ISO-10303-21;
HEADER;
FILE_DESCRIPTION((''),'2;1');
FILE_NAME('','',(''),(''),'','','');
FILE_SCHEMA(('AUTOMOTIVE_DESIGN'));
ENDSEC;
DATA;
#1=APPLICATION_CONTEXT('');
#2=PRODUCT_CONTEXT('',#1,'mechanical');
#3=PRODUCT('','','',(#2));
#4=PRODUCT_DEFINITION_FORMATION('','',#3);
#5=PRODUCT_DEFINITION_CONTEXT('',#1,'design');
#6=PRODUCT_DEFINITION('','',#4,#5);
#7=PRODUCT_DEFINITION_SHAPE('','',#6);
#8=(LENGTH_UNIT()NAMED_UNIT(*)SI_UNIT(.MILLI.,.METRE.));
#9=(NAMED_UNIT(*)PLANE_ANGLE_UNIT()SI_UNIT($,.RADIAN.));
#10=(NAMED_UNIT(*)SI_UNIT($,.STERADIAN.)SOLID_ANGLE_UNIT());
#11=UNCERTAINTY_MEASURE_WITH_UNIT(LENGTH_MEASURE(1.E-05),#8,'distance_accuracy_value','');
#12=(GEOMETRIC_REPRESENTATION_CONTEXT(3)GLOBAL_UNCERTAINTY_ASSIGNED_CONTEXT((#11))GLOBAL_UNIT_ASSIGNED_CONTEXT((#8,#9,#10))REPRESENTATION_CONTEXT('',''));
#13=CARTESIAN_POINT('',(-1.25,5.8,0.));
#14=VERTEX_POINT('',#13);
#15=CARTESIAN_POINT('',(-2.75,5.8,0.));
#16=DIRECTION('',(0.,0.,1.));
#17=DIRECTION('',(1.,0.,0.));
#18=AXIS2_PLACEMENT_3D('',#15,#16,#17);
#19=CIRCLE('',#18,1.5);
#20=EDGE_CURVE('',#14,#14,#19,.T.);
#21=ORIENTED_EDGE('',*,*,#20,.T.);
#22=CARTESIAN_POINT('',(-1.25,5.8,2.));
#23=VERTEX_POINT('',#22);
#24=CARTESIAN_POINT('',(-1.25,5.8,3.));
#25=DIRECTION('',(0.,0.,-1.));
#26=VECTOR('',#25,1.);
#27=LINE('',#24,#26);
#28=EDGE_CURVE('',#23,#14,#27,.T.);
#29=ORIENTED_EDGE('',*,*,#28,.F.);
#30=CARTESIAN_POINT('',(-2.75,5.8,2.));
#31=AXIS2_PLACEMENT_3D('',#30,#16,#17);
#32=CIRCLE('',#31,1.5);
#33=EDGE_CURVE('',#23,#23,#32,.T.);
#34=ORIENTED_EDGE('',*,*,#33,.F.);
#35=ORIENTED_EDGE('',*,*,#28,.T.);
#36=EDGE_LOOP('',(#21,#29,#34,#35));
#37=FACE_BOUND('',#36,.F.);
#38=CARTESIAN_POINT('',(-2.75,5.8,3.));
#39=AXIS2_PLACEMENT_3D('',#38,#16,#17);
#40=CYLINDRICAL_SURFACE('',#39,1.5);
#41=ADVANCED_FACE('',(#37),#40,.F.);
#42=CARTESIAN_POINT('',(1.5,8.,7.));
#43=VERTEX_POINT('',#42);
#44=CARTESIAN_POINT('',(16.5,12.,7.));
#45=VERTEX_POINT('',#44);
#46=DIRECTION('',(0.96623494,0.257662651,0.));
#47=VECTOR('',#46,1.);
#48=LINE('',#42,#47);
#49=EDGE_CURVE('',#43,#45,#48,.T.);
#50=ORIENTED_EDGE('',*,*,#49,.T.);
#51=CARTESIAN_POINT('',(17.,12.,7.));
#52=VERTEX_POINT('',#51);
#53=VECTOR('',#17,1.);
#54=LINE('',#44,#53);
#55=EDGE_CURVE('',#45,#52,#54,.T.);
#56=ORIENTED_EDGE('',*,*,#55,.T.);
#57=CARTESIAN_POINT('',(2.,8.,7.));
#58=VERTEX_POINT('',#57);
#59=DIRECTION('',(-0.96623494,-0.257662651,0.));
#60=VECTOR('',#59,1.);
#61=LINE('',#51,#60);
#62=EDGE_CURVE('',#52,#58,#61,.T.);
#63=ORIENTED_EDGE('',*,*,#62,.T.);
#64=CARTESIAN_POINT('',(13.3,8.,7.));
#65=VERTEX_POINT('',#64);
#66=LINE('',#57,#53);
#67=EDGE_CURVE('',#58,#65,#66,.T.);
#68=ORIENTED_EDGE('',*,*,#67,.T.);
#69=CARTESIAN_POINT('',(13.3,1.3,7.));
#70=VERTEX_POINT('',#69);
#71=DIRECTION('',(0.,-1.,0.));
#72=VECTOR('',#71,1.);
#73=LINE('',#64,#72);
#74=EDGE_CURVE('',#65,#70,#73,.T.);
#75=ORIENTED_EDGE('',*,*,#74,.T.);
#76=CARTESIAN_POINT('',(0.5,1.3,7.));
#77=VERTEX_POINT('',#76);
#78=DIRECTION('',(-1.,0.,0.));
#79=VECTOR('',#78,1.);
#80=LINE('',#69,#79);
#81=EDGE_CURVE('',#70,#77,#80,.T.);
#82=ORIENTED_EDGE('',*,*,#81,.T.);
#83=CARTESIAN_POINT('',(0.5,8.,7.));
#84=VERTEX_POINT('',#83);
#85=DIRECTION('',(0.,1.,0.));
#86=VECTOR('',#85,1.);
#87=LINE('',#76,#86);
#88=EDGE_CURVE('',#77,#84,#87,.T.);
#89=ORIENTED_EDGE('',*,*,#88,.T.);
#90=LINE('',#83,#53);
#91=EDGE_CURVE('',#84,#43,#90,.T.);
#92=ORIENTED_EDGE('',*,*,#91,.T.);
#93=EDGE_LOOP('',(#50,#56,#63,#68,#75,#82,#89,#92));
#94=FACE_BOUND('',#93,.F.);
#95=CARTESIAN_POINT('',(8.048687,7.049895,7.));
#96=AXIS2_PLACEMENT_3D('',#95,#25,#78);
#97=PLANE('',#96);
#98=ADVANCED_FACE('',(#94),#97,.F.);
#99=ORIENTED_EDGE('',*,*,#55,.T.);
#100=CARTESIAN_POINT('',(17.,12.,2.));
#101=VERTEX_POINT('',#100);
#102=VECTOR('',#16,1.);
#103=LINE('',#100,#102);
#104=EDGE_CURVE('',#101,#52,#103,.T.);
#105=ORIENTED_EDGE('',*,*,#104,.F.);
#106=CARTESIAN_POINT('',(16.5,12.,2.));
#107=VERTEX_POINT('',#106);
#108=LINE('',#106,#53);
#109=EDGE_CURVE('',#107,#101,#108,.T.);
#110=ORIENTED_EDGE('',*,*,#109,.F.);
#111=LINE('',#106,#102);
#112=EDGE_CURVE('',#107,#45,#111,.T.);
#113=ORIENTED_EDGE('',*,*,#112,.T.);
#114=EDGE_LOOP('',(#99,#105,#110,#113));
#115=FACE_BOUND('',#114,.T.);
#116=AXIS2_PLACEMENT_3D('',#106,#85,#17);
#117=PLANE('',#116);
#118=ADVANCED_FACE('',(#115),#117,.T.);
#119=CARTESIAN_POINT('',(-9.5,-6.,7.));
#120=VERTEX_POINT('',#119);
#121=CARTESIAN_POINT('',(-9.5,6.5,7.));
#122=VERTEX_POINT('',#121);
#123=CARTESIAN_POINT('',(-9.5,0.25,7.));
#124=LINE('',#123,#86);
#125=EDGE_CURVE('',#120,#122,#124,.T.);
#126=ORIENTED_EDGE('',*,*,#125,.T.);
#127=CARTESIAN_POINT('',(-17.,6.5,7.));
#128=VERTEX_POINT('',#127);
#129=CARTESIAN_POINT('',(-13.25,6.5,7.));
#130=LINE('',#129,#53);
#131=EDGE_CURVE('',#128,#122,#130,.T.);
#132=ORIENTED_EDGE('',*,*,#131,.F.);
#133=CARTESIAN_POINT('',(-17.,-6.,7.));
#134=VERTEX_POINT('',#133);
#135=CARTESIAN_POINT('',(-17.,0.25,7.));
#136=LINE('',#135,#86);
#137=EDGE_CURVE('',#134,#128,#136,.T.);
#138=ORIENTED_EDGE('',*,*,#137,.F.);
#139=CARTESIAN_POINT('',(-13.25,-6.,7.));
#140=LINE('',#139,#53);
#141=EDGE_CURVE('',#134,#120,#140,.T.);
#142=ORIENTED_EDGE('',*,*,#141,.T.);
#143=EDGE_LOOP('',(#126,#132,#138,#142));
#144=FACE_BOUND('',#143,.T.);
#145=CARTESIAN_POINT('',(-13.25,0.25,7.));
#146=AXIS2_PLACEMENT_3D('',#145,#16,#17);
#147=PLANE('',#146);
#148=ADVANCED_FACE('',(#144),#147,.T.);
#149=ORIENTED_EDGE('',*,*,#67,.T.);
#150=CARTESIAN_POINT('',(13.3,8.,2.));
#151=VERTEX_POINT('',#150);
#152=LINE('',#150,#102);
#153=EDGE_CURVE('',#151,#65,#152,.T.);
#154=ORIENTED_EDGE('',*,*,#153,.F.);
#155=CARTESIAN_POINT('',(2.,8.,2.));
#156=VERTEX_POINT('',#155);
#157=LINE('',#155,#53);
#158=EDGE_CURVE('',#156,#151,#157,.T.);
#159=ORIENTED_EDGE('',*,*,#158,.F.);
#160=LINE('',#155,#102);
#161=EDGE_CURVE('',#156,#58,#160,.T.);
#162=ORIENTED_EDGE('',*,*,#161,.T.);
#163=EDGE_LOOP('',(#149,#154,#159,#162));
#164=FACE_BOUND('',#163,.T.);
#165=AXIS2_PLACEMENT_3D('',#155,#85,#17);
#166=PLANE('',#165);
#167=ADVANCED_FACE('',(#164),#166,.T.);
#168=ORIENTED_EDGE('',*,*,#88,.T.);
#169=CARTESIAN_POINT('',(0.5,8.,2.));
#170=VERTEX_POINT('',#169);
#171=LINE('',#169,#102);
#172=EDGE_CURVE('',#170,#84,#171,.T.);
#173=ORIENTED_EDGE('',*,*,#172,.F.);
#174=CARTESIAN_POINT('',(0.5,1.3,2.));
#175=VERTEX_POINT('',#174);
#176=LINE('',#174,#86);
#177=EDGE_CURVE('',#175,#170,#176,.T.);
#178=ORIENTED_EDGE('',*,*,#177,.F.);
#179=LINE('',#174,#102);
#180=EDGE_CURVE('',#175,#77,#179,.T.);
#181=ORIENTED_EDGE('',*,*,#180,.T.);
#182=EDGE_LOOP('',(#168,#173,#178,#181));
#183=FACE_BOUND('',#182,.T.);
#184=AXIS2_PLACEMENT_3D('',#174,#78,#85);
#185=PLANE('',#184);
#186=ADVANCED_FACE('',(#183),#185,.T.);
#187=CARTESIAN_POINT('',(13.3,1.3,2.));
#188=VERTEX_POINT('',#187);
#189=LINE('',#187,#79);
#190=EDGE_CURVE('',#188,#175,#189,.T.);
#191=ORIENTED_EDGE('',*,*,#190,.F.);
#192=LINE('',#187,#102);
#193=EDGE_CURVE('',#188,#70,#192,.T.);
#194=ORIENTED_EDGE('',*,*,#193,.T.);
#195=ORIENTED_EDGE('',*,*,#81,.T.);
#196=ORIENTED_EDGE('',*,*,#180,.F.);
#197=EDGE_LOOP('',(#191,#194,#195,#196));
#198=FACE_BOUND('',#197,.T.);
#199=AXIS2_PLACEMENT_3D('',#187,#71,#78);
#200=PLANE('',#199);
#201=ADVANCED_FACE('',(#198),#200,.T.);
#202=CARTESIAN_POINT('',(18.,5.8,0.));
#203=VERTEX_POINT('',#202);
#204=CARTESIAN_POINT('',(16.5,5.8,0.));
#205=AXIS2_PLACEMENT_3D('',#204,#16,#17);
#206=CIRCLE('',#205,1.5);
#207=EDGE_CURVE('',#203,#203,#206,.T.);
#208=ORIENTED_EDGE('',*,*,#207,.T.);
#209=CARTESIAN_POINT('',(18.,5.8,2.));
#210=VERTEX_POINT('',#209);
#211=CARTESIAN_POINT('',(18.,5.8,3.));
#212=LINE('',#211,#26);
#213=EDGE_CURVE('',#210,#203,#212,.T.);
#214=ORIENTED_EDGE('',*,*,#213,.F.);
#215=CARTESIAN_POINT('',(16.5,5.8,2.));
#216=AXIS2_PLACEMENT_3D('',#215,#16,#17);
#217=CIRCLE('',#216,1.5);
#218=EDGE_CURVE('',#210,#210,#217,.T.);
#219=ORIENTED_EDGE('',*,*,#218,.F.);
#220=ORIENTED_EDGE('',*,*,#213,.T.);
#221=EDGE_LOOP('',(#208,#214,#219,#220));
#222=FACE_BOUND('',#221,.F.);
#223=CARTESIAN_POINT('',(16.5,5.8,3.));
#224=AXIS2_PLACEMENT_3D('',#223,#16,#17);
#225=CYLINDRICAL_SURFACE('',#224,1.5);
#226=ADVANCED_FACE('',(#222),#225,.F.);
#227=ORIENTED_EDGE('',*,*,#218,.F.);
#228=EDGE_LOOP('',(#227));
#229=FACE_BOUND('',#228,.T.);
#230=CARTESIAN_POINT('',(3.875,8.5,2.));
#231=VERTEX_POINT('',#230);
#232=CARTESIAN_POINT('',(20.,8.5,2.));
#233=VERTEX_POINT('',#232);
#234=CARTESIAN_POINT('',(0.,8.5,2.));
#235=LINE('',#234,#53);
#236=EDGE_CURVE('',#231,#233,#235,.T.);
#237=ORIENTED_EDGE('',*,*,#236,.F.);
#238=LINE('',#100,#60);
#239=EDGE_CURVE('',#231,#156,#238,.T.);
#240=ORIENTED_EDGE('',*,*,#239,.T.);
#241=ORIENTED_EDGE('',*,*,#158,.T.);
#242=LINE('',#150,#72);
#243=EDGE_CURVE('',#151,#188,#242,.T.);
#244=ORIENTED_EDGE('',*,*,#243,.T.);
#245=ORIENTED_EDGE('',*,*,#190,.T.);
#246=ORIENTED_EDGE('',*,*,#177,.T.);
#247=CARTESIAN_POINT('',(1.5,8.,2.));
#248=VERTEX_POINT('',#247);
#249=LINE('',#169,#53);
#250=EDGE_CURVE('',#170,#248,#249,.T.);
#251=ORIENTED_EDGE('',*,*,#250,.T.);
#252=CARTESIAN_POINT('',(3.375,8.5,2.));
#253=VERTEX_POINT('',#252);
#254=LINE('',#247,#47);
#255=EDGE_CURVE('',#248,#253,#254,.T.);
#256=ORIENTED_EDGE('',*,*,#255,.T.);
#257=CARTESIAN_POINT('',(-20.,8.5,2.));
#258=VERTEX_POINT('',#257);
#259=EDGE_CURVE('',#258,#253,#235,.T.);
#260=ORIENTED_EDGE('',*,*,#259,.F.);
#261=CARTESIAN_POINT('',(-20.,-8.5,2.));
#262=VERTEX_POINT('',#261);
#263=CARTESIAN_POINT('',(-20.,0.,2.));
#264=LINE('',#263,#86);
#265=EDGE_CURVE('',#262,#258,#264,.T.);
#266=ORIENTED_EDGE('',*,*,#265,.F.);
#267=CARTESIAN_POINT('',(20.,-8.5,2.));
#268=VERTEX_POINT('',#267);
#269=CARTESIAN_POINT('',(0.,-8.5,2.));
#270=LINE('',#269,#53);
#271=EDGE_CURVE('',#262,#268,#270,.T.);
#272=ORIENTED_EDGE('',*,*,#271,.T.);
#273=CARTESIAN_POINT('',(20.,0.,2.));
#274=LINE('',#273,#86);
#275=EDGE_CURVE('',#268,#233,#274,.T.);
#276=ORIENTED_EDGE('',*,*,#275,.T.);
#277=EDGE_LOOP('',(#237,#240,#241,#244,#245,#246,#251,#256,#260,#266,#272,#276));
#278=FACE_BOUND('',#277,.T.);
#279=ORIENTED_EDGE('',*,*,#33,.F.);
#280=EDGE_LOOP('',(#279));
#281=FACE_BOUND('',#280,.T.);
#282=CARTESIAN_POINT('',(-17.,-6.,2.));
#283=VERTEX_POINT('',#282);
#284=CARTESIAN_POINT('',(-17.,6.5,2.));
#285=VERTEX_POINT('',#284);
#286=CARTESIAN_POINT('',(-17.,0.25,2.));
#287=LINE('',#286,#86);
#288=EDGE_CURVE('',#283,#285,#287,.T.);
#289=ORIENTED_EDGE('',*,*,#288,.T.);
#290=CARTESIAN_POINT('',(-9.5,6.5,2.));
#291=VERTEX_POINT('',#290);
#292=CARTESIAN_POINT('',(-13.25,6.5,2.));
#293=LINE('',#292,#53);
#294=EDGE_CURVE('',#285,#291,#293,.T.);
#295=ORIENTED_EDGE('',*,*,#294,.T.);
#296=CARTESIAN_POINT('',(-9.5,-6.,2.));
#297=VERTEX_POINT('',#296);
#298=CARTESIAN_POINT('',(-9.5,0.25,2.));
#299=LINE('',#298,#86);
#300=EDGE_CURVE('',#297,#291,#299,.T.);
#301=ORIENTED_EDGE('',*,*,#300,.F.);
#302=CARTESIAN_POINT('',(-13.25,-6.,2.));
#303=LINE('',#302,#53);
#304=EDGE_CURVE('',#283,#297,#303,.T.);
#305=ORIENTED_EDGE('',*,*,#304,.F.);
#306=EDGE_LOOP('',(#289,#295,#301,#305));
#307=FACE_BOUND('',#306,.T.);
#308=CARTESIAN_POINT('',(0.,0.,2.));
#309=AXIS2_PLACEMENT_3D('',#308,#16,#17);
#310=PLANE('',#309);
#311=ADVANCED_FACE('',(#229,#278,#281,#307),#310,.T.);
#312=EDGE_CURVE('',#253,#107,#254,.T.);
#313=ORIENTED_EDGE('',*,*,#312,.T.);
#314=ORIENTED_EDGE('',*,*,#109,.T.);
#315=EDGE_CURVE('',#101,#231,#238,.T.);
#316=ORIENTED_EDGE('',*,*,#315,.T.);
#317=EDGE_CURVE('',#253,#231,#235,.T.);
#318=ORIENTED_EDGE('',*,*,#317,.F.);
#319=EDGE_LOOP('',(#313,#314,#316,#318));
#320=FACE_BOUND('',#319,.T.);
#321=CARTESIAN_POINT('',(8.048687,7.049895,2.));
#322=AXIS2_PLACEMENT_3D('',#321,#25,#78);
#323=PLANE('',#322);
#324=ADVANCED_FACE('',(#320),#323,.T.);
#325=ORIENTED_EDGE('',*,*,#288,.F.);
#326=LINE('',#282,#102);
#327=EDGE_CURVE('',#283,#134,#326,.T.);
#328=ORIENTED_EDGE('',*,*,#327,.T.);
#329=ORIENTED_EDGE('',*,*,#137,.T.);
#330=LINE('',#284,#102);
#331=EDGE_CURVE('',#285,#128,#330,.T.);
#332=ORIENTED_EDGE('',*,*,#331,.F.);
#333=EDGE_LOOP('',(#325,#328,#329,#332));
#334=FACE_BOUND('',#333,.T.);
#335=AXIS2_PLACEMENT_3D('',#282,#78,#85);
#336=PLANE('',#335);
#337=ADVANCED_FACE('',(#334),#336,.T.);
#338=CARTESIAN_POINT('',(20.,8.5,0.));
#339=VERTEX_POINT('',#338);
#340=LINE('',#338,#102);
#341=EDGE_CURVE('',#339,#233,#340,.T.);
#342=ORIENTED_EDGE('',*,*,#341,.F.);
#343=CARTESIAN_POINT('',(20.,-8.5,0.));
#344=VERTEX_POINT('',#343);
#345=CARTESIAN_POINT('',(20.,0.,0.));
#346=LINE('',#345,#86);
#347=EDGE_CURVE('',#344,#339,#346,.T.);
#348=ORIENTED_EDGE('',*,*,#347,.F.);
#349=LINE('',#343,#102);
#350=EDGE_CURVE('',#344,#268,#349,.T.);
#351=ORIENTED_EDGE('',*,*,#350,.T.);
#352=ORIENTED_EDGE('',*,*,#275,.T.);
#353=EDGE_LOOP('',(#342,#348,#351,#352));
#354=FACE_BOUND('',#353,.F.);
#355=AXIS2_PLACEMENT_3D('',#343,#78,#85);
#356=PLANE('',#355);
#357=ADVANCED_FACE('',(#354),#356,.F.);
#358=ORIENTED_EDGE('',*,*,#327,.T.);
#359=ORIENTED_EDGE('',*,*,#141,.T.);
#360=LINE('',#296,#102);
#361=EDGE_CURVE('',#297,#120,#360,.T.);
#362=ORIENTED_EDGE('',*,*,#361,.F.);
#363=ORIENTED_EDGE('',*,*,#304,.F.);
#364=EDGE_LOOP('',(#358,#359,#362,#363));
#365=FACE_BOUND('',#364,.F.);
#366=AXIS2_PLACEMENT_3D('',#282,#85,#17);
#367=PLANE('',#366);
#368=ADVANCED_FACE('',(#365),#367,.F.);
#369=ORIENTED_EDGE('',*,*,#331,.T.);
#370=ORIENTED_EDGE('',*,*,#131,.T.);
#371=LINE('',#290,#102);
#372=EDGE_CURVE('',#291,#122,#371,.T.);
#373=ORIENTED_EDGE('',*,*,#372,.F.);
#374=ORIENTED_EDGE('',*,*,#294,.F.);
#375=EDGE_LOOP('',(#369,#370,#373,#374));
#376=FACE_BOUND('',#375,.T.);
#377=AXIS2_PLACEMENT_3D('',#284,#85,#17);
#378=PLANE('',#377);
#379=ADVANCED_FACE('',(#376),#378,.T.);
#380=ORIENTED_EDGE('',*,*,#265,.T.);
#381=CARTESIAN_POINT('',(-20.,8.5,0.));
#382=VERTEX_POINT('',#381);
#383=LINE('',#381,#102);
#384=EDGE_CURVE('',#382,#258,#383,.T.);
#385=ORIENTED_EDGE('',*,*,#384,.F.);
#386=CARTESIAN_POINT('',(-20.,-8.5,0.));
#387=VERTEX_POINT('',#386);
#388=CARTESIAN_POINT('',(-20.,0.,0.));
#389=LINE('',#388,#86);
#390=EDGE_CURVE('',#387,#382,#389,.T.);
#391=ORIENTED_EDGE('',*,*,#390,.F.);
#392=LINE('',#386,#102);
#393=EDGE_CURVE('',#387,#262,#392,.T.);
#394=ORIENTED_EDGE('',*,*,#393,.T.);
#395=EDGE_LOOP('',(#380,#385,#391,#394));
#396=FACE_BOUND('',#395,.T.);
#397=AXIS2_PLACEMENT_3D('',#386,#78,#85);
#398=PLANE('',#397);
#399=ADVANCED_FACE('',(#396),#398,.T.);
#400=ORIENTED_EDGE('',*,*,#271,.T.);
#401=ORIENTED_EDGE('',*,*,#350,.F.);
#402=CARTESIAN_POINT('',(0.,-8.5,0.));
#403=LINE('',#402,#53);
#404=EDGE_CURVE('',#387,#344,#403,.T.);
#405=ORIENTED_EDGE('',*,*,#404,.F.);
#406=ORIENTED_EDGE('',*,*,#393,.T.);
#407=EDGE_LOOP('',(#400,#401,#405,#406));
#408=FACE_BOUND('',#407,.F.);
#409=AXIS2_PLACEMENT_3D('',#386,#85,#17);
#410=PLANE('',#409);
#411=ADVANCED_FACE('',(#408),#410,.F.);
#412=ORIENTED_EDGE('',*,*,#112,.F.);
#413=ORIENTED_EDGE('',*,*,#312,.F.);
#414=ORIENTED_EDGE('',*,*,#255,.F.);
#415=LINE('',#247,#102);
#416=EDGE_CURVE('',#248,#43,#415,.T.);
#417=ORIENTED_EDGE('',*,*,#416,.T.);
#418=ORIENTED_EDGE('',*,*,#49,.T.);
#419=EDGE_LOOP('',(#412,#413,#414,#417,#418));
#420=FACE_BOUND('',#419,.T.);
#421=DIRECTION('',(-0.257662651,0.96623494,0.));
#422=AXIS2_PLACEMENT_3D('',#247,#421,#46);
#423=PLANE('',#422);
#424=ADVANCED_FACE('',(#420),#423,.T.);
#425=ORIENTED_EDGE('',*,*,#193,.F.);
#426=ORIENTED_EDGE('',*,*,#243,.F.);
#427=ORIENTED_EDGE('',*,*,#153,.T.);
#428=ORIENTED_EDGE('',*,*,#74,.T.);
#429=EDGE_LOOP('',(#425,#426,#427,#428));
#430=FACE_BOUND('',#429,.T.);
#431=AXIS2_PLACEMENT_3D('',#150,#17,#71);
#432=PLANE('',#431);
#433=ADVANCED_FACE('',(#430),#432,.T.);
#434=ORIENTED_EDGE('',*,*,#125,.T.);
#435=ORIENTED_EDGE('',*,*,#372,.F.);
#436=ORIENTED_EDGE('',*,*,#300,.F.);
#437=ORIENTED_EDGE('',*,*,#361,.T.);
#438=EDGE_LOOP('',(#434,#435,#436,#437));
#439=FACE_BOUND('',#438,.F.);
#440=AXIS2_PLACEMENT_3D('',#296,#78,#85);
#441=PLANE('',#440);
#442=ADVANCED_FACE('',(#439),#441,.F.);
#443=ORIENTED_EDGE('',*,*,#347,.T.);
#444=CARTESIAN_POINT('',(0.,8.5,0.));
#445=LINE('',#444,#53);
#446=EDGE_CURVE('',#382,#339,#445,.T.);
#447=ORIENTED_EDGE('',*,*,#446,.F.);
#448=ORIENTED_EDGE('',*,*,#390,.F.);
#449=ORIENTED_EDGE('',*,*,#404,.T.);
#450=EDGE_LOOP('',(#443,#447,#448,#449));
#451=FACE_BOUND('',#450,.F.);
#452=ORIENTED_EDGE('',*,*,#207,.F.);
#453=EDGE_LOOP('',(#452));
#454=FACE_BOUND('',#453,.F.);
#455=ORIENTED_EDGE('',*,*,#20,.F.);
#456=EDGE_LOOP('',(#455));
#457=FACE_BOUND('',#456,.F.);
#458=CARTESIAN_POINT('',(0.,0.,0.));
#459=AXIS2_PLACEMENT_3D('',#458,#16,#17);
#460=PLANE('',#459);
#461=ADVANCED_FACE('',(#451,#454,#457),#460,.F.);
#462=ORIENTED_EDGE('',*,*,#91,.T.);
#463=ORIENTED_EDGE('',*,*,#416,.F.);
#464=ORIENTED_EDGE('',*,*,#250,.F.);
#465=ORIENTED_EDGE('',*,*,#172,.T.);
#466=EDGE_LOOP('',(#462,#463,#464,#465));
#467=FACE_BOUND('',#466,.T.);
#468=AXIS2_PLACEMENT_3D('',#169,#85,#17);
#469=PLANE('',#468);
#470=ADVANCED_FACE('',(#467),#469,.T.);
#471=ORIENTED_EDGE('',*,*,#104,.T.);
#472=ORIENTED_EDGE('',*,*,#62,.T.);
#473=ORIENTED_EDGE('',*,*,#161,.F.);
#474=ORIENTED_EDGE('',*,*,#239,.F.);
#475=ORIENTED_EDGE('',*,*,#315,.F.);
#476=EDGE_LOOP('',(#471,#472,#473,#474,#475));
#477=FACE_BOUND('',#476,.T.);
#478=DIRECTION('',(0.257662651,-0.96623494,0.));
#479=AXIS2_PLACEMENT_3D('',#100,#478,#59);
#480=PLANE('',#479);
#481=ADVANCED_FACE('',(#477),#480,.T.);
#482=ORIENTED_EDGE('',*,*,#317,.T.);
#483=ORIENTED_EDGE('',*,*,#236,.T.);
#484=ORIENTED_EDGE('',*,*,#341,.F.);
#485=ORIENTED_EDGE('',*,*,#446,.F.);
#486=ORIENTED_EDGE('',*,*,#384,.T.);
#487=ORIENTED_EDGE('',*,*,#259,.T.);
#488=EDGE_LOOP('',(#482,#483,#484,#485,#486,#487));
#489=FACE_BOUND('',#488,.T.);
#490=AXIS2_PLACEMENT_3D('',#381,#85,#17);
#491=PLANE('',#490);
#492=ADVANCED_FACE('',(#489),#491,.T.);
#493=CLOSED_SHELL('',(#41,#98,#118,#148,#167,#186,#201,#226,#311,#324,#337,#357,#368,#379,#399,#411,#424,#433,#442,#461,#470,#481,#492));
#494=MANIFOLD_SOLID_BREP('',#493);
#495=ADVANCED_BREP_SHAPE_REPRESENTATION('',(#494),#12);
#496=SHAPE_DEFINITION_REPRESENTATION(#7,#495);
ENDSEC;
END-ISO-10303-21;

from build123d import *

# Parameters (mm, degrees)
S_LIMITSWITCH_W = 40
S_LIMITSWITCH_H = 17
PAD024_DEPTH    = 2
SKETCH053_W     = 7.5
SKETCH053_H     = 12.5
PAD025_DEPTH    = 5
SKETCH054_R     = 1.5
POCKET029_DEPTH = 5


with BuildPart() as part:
    # S_LimitSwitch → Pad024 (new body)
    with BuildSketch(Plane.XY):
        Rectangle(S_LIMITSWITCH_W, S_LIMITSWITCH_H)
    extrude(amount=PAD024_DEPTH)

    # Sketch053 → Pad025 (join)
    with BuildSketch(Plane.XY.offset(2)):
        Polygon((13.3, 8), (13.3, 1.3), (0.5, 1.3), (0.5, 8), (1.5, 8), (16.5, 12), (17, 12), (2, 8), align=None)
        with Locations((-13.25, 0.25)):
            Rectangle(SKETCH053_W, SKETCH053_H)
    extrude(amount=PAD025_DEPTH)

    # Sketch054 → Pocket029 (cut)
    with BuildSketch(Plane.XY.offset(3)):
        with Locations((16.5, 5.8)):
            Circle(SKETCH054_R)
        with Locations((-2.75, 5.8)):
            Circle(SKETCH054_R)
    extrude(amount=-POCKET029_DEPTH, mode=Mode.SUBTRACT)


solid = part.part
